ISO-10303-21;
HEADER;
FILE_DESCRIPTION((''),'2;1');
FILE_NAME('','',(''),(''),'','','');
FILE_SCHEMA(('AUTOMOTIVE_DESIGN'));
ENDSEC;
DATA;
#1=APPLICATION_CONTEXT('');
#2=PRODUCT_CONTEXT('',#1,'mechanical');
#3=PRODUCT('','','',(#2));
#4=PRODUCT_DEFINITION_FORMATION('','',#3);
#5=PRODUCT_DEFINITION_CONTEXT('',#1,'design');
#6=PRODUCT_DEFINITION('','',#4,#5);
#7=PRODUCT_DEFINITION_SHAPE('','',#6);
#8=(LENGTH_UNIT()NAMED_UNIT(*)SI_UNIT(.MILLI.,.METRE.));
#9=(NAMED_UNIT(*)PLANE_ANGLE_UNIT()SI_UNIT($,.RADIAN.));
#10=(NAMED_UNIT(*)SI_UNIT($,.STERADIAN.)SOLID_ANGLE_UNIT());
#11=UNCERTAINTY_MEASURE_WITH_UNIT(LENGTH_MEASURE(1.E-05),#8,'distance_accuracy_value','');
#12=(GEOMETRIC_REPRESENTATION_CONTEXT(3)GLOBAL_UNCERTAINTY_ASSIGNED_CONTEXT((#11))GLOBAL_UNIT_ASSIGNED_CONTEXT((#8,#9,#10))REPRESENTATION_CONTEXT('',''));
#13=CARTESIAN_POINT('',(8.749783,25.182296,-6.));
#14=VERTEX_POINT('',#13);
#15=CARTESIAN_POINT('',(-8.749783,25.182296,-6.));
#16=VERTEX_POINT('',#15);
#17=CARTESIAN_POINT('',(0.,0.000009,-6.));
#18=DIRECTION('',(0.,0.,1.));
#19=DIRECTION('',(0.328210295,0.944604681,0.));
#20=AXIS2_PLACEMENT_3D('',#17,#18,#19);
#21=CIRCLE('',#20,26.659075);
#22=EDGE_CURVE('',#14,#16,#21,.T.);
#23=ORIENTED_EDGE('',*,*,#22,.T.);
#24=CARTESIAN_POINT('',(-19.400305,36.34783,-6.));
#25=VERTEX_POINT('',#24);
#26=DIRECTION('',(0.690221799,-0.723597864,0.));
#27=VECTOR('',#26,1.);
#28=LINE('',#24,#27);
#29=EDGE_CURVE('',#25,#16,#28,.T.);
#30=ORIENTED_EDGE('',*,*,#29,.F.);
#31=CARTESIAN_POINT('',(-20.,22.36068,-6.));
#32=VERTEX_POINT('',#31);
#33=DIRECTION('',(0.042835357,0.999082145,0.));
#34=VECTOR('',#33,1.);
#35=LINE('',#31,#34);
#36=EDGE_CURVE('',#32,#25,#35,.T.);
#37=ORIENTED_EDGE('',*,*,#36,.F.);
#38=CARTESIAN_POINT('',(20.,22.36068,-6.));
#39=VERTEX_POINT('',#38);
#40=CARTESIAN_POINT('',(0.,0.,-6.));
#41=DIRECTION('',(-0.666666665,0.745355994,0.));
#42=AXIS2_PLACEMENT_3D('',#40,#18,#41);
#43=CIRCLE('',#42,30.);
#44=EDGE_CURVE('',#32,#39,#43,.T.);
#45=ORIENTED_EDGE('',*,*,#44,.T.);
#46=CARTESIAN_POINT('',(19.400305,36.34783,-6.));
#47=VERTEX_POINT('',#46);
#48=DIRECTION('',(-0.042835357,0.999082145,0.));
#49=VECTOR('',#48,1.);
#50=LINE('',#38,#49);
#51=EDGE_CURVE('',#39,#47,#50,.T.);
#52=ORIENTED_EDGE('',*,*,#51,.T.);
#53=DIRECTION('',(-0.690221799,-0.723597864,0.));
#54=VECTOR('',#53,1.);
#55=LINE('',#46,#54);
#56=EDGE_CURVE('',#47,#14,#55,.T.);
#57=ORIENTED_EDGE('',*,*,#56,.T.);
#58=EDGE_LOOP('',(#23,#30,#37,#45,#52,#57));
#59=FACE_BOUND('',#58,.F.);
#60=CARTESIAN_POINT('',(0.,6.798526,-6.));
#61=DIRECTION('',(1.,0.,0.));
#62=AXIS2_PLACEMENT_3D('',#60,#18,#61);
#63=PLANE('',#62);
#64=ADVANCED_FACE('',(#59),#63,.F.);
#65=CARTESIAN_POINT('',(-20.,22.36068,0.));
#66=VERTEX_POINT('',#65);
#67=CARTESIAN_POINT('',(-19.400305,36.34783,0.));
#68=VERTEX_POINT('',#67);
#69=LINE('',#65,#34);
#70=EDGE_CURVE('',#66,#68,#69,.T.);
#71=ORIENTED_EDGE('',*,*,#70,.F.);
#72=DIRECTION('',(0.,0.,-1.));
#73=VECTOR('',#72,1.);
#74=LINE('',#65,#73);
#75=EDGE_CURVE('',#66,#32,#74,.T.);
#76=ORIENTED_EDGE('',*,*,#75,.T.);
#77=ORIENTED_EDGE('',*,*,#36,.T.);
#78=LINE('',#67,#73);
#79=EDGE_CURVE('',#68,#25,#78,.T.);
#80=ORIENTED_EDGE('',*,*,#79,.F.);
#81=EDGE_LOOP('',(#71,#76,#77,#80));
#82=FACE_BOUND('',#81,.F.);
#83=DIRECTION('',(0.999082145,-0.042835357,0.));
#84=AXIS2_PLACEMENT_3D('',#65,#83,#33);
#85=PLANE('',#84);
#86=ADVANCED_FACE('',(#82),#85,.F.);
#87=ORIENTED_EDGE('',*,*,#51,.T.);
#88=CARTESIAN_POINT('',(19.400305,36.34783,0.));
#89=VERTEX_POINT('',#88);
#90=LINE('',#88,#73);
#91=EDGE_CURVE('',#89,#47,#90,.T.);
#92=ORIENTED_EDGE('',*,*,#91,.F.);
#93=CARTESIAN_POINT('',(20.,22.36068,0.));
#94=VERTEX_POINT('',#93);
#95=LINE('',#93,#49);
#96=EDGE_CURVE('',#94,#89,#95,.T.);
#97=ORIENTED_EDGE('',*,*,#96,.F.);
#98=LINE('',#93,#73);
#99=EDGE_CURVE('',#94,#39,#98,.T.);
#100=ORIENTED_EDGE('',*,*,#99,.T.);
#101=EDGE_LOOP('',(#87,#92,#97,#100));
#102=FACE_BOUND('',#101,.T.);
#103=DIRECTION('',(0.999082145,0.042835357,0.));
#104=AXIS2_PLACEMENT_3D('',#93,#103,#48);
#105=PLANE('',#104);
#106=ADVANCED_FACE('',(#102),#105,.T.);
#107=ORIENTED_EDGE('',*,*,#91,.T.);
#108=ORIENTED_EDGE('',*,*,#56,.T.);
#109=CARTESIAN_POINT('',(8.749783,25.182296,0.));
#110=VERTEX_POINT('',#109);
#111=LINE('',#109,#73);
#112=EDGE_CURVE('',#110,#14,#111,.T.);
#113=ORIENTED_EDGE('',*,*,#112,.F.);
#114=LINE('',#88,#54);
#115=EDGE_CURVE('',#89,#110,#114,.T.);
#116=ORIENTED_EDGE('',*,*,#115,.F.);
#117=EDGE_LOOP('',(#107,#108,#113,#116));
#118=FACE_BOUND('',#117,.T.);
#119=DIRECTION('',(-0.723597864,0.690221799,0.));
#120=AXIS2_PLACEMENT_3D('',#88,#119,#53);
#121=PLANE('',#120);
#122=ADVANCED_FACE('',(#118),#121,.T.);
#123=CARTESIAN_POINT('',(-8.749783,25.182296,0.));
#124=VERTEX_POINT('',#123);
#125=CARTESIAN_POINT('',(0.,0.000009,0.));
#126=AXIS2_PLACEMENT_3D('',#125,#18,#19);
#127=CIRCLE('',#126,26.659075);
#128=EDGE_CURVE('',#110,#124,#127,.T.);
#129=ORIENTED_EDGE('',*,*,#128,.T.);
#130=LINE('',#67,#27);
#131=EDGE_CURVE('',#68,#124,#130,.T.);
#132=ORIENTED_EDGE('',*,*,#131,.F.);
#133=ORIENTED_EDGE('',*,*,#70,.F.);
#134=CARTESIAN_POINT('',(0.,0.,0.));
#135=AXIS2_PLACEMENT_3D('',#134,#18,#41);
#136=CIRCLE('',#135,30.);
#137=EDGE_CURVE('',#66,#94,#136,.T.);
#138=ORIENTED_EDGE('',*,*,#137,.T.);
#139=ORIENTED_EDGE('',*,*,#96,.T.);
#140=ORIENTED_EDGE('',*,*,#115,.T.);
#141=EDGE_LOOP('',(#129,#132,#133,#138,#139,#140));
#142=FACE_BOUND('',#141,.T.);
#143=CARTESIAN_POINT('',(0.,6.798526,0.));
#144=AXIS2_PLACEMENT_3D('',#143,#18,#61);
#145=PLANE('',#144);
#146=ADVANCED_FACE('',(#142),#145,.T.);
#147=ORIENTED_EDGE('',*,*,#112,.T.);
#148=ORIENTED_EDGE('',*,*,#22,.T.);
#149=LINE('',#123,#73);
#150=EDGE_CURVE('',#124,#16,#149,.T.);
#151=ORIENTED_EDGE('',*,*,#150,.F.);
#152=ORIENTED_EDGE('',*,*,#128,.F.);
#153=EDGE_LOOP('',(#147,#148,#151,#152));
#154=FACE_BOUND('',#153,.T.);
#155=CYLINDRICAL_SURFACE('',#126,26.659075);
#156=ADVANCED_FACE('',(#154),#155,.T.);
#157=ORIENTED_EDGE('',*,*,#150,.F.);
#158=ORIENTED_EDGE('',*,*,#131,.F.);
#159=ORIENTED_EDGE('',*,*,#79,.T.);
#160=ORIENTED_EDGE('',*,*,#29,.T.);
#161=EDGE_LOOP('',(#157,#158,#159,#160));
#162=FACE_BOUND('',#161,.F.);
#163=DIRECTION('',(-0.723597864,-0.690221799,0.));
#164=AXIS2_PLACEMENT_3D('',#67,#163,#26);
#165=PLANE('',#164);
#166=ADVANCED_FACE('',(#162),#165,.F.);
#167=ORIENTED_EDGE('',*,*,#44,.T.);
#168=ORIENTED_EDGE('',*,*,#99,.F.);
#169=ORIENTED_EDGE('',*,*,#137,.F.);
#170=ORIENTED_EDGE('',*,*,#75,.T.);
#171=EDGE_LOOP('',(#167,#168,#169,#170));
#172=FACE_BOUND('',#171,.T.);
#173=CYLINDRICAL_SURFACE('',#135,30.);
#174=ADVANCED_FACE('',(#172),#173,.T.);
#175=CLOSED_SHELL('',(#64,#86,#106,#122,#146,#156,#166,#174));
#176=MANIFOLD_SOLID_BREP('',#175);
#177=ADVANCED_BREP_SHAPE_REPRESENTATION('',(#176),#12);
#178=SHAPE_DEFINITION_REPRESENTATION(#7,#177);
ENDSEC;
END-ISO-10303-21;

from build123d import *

# Parameters (mm, degrees)
PAD_DEPTH = 6


with BuildPart() as part:
    # Sketch → Pad (new body)
    with BuildSketch(Plane.XY):
        with BuildLine():
            ThreePointArc((-20, 22.36068), (0, -30), (20, 22.36068))
            Line((20, 22.36068), (19.400305, 36.34783))
            Line((19.400305, 36.34783), (8.749783, 25.182296))
            ThreePointArc((8.749783, 25.182296), (0, 26.659084), (-8.749783, 25.182296))
            Line((-19.400305, 36.34783), (-8.749783, 25.182296))
            Line((-20, 22.36068), (-19.400305, 36.34783))
        make_face()
    extrude(amount=-PAD_DEPTH)


solid = part.part
